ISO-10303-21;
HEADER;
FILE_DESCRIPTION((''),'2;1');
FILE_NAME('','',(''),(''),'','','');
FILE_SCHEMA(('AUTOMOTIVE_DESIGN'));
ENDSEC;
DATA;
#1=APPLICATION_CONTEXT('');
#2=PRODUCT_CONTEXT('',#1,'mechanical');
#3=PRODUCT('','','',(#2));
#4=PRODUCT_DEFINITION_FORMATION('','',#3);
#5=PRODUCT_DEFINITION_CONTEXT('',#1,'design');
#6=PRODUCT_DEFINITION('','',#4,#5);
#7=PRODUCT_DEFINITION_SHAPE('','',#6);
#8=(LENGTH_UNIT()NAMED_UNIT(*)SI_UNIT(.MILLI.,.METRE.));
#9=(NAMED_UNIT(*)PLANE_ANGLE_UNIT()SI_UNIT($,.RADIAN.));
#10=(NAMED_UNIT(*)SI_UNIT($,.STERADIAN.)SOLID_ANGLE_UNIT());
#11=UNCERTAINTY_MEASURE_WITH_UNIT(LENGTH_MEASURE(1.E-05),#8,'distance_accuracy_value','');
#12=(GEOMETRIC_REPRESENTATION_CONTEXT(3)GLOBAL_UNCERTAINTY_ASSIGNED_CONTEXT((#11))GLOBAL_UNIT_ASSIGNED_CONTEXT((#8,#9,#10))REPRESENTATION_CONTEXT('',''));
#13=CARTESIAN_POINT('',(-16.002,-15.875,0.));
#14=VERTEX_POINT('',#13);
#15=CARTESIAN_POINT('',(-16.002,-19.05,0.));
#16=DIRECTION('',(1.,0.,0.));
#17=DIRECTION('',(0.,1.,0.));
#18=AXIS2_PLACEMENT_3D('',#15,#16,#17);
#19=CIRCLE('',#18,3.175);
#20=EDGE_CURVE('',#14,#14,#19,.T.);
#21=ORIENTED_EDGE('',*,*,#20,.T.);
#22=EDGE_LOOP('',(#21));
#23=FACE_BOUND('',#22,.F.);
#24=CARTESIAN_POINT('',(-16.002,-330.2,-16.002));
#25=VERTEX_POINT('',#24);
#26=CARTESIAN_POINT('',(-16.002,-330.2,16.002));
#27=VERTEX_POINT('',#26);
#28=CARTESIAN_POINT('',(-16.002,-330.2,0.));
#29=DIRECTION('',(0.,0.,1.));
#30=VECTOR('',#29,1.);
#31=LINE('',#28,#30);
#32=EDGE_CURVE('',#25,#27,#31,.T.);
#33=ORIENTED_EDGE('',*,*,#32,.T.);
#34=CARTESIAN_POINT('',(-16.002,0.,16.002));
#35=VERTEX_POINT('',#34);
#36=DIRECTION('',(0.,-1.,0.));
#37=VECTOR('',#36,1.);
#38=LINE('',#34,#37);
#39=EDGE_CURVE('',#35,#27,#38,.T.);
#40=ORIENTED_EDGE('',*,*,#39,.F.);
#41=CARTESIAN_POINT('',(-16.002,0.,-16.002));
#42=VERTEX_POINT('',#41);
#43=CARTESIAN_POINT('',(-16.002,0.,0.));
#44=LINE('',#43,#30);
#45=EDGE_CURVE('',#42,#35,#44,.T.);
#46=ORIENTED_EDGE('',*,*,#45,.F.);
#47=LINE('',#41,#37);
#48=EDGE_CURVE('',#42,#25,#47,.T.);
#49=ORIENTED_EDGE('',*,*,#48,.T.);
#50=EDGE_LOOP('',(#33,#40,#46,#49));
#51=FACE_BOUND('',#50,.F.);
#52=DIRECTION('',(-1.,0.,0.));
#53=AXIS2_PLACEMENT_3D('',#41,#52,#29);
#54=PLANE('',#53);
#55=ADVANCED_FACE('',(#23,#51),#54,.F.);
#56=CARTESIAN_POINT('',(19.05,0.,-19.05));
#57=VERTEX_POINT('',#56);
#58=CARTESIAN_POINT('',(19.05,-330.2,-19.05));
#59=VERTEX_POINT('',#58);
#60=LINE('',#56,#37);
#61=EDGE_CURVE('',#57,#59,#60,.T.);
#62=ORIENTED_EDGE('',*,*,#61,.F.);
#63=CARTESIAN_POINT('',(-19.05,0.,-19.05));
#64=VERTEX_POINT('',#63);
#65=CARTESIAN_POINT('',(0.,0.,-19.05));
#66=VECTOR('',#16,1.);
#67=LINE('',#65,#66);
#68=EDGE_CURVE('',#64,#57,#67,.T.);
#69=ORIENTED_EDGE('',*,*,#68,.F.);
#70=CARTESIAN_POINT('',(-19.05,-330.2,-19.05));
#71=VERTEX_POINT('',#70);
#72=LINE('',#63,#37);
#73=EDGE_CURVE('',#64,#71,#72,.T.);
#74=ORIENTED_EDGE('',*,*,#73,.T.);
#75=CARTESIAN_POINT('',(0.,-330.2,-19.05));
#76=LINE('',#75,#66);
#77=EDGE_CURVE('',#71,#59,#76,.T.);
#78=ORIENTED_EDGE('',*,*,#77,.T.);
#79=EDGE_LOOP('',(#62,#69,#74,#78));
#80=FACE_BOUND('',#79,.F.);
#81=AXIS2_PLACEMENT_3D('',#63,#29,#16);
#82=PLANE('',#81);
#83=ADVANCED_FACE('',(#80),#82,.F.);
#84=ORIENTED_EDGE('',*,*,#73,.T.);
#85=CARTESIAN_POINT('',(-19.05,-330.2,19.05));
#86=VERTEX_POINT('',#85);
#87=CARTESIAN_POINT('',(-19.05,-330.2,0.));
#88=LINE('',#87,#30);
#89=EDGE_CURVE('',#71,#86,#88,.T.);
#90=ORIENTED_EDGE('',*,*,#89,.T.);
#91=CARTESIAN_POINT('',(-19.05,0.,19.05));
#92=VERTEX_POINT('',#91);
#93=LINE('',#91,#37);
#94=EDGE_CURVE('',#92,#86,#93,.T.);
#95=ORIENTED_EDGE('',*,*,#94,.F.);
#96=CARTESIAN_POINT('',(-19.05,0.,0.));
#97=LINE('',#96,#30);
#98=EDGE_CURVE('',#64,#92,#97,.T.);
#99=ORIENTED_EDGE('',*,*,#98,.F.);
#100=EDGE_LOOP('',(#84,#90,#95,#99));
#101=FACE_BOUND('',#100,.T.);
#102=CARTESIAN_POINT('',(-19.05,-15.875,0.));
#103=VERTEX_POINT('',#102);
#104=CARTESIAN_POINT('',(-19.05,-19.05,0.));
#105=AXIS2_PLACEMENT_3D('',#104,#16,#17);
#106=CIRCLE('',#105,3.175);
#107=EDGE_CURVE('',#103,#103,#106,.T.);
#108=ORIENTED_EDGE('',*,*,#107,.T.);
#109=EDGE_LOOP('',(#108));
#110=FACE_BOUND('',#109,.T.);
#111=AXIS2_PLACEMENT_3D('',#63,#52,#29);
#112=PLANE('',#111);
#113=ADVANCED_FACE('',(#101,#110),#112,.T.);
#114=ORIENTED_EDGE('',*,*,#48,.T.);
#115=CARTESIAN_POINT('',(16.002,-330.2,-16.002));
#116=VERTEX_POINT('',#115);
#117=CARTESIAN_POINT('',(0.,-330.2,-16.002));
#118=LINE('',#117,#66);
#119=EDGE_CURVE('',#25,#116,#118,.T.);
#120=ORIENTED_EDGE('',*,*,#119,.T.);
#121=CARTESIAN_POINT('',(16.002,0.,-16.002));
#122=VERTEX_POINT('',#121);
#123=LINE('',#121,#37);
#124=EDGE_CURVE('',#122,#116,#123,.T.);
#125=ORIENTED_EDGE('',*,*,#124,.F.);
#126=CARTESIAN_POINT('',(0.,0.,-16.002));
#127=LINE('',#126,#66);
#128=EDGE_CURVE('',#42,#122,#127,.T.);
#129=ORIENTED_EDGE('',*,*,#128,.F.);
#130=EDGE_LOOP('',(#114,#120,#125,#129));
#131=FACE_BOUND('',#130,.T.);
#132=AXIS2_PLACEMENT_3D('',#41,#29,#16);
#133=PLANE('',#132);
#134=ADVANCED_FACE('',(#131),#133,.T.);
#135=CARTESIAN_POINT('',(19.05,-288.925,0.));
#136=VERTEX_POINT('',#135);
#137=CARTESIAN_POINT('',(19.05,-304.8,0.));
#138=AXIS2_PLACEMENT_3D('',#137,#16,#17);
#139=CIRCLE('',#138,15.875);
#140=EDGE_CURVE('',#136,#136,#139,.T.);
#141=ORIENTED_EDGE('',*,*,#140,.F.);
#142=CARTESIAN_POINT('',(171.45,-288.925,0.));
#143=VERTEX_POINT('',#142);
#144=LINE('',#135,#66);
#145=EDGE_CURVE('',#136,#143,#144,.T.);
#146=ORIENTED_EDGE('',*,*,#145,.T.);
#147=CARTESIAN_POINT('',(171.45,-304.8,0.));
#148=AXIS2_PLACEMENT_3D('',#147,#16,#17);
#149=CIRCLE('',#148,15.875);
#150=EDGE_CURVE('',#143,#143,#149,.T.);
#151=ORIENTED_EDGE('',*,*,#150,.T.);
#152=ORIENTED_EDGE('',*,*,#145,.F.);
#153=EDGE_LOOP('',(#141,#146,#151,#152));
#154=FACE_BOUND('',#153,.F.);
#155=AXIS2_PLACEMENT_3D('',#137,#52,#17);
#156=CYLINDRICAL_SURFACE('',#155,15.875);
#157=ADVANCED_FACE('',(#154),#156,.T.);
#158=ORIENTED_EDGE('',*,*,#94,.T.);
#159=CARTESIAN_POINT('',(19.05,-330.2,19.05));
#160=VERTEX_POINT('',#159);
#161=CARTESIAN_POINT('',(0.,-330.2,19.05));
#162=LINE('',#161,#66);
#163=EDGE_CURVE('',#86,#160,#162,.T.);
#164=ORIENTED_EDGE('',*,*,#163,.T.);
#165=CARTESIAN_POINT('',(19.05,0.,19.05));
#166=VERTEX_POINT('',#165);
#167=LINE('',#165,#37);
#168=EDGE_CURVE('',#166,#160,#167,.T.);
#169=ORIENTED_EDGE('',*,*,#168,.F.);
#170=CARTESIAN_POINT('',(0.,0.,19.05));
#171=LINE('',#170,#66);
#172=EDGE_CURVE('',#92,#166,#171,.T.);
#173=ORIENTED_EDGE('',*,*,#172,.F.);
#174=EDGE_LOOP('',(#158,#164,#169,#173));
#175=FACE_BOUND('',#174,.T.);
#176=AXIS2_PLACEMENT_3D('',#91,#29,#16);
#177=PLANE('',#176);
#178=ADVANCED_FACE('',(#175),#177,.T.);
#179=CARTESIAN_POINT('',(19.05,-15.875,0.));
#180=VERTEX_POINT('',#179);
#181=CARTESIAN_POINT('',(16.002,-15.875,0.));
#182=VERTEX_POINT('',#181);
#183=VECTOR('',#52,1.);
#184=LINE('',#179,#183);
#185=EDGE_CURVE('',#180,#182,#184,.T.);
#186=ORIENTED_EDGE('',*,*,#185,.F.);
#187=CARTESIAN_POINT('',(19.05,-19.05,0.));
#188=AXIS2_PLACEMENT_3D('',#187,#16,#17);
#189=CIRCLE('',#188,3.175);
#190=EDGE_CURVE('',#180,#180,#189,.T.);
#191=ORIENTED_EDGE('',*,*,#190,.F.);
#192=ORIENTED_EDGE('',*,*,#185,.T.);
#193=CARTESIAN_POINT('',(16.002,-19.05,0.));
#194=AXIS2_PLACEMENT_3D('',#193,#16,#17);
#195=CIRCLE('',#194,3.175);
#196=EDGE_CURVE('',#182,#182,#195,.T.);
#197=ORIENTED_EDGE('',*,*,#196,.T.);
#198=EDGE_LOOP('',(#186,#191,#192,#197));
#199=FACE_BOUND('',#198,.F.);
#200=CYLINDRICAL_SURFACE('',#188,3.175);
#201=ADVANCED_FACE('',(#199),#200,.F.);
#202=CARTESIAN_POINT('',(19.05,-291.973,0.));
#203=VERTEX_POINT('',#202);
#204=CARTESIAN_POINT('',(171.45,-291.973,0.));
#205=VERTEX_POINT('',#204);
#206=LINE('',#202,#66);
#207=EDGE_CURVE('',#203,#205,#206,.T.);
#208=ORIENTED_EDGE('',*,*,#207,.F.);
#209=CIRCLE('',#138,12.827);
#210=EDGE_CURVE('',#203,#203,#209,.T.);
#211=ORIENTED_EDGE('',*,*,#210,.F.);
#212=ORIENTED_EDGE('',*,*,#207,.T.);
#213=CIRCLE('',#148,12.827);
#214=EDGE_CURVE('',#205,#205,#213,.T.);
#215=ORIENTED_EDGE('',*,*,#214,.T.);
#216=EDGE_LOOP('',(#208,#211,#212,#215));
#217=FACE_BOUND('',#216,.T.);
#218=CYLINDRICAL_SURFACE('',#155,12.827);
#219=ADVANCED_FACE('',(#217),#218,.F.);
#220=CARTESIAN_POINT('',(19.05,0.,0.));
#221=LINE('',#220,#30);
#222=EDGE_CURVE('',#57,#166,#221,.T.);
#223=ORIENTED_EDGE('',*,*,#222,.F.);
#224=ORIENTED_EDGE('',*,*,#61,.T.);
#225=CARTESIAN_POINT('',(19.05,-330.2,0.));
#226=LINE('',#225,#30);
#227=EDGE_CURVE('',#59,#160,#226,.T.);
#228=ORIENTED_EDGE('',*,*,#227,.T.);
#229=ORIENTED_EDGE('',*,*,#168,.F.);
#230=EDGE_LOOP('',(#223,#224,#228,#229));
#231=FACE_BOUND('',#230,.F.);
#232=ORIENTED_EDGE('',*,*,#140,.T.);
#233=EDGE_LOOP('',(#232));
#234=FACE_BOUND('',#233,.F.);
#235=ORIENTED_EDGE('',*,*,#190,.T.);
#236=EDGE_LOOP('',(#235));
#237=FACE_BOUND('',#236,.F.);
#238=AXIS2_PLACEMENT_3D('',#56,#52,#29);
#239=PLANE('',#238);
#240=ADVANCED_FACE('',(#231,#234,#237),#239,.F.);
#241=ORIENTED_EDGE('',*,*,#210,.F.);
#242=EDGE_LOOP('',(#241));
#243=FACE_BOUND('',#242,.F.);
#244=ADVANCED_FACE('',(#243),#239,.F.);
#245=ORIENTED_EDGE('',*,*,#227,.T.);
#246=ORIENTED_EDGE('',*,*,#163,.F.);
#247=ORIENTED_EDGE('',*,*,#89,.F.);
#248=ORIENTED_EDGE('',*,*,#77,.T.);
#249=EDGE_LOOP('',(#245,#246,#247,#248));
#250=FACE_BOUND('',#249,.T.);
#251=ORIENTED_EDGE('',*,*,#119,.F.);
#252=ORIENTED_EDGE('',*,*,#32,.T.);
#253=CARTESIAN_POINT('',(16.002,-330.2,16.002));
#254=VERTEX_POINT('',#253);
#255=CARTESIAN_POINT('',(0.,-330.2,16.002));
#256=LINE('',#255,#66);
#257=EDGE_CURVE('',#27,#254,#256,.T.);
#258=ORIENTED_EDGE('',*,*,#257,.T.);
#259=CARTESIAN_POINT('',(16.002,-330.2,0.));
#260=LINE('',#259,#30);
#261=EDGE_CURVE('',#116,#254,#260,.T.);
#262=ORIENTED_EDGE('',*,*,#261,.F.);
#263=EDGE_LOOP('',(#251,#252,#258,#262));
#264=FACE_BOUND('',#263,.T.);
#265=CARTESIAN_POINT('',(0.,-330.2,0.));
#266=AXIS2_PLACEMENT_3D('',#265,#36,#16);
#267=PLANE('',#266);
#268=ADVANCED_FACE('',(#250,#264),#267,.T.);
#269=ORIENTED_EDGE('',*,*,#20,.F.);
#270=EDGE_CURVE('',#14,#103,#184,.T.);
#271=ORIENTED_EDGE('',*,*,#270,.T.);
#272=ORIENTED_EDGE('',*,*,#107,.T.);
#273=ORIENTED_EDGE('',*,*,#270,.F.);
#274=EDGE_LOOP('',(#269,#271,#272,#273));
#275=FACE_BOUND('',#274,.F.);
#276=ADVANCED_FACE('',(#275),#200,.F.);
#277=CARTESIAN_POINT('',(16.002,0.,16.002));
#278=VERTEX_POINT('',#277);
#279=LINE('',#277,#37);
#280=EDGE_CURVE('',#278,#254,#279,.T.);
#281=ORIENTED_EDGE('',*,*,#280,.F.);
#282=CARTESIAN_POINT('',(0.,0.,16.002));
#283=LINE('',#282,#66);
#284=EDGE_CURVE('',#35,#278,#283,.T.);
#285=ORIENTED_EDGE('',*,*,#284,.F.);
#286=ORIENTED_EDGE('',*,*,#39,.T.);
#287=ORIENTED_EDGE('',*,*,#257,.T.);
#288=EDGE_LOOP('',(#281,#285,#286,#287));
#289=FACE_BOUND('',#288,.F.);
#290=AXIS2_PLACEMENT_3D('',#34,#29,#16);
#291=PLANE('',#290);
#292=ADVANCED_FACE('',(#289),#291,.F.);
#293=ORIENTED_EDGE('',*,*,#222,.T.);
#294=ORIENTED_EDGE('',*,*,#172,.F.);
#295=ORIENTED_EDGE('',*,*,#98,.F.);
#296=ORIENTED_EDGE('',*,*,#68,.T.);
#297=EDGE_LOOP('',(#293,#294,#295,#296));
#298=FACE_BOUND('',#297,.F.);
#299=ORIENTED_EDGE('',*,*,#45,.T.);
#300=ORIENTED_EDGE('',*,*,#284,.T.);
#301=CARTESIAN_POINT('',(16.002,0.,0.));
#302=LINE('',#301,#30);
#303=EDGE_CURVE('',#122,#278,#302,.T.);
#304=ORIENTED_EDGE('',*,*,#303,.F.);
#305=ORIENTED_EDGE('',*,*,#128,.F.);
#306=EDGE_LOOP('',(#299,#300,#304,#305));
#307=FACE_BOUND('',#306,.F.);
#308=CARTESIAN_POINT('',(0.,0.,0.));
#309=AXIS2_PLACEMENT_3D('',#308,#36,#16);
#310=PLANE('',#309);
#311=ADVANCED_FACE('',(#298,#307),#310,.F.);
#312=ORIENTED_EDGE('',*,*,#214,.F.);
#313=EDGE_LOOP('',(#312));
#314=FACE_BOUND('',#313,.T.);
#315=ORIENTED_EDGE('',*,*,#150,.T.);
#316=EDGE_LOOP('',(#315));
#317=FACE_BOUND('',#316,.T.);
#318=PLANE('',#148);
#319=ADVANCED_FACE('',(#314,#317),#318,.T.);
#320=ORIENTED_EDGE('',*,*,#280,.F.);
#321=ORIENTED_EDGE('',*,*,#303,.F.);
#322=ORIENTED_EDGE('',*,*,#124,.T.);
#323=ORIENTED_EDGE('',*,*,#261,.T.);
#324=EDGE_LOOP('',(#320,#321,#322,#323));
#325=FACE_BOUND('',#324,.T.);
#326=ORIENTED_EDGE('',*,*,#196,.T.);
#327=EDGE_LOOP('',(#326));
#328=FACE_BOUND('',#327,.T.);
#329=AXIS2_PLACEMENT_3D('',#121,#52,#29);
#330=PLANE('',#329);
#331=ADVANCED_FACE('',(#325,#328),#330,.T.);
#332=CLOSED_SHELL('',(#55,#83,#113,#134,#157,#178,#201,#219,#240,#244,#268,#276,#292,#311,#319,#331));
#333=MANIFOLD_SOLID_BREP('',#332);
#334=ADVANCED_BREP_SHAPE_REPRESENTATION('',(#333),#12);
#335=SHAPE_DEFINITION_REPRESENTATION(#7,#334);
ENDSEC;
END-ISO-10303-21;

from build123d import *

# Parameters (mm, degrees)
F0_W     = 38.1
F0_H     = 38.1
F0_W_2   = 32.004
F0_H_2   = 32.004
F1_DEPTH = 330.2
F2_R     = 15.875
F2_R_2   = 12.827
F3_DEPTH = 152.4
F4_R     = 3.175
F5_DEPTH = 38.101


with BuildPart() as f1:
    # F0 (on Front) → F1 (new body)
    with BuildSketch(Plane.XZ):
        Rectangle(F0_W, F0_H)
        Rectangle(F0_W_2, F0_H_2, mode=Mode.SUBTRACT)
    extrude(amount=F1_DEPTH)

    # F2 (on face) → F3 (join)
    with BuildSketch(Plane.YZ.offset(19.05)):
        with Locations((-304.8, 0)):
            Circle(F2_R)
        with Locations((-304.8, 0)):
            Circle(F2_R_2, mode=Mode.SUBTRACT)
    extrude(amount=F3_DEPTH)

    # F4 (on face) → F5 (cut, through all)
    with BuildSketch(Plane.YZ.offset(19.05)):
        with Locations((-19.05, 0)):
            Circle(F4_R)
    extrude(amount=-F5_DEPTH, mode=Mode.SUBTRACT)


solid = f1.part
